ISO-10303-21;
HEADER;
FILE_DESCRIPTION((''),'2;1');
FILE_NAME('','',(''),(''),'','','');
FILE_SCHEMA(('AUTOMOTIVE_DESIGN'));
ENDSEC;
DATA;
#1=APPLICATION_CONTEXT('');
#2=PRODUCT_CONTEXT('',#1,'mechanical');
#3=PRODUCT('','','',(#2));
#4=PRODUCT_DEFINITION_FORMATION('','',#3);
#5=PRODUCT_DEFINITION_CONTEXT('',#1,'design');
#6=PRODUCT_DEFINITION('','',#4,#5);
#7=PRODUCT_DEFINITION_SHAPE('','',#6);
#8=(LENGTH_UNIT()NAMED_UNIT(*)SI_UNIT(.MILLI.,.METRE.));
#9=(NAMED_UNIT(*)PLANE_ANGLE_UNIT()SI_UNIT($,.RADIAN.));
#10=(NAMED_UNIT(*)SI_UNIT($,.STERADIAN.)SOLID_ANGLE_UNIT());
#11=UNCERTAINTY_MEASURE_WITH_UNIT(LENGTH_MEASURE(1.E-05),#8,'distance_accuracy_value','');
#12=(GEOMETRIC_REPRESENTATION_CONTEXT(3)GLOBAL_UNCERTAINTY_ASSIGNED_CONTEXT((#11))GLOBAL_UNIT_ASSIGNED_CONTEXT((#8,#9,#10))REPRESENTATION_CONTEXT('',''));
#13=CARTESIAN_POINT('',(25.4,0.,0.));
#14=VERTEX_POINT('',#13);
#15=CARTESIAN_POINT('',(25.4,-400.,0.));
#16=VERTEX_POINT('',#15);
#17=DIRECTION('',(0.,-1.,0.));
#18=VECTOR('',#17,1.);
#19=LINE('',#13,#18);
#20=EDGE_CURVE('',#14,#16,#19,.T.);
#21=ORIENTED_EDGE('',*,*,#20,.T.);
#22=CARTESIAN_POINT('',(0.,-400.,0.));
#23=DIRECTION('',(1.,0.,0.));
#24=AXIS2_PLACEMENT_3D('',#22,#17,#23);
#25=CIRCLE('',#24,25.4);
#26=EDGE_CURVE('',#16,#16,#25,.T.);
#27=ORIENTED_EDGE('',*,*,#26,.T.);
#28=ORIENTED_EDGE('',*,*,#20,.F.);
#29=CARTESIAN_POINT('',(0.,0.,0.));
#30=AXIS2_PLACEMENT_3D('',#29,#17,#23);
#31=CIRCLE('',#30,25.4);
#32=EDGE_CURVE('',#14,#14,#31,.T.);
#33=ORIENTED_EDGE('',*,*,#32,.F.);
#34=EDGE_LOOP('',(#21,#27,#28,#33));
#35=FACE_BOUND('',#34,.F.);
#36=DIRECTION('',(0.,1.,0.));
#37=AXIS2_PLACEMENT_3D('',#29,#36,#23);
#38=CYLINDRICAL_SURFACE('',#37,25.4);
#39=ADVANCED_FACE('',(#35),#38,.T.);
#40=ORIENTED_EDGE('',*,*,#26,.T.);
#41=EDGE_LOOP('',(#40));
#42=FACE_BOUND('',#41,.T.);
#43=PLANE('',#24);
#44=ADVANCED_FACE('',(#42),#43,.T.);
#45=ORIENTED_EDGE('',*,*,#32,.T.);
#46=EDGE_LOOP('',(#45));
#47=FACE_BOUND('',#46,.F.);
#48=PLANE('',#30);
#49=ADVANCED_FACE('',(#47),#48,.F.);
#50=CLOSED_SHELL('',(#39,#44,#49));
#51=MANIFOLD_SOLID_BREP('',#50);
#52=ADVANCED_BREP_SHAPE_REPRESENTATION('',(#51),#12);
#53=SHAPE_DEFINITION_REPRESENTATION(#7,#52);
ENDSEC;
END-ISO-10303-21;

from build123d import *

# Parameters (mm, degrees)
SKETCH_R  = 25.4
PAD_DEPTH = 400


with BuildPart() as part:
    # Sketch → Pad (new body)
    with BuildSketch(Plane.XZ):
        Circle(SKETCH_R)
    extrude(amount=PAD_DEPTH)


solid = part.part
